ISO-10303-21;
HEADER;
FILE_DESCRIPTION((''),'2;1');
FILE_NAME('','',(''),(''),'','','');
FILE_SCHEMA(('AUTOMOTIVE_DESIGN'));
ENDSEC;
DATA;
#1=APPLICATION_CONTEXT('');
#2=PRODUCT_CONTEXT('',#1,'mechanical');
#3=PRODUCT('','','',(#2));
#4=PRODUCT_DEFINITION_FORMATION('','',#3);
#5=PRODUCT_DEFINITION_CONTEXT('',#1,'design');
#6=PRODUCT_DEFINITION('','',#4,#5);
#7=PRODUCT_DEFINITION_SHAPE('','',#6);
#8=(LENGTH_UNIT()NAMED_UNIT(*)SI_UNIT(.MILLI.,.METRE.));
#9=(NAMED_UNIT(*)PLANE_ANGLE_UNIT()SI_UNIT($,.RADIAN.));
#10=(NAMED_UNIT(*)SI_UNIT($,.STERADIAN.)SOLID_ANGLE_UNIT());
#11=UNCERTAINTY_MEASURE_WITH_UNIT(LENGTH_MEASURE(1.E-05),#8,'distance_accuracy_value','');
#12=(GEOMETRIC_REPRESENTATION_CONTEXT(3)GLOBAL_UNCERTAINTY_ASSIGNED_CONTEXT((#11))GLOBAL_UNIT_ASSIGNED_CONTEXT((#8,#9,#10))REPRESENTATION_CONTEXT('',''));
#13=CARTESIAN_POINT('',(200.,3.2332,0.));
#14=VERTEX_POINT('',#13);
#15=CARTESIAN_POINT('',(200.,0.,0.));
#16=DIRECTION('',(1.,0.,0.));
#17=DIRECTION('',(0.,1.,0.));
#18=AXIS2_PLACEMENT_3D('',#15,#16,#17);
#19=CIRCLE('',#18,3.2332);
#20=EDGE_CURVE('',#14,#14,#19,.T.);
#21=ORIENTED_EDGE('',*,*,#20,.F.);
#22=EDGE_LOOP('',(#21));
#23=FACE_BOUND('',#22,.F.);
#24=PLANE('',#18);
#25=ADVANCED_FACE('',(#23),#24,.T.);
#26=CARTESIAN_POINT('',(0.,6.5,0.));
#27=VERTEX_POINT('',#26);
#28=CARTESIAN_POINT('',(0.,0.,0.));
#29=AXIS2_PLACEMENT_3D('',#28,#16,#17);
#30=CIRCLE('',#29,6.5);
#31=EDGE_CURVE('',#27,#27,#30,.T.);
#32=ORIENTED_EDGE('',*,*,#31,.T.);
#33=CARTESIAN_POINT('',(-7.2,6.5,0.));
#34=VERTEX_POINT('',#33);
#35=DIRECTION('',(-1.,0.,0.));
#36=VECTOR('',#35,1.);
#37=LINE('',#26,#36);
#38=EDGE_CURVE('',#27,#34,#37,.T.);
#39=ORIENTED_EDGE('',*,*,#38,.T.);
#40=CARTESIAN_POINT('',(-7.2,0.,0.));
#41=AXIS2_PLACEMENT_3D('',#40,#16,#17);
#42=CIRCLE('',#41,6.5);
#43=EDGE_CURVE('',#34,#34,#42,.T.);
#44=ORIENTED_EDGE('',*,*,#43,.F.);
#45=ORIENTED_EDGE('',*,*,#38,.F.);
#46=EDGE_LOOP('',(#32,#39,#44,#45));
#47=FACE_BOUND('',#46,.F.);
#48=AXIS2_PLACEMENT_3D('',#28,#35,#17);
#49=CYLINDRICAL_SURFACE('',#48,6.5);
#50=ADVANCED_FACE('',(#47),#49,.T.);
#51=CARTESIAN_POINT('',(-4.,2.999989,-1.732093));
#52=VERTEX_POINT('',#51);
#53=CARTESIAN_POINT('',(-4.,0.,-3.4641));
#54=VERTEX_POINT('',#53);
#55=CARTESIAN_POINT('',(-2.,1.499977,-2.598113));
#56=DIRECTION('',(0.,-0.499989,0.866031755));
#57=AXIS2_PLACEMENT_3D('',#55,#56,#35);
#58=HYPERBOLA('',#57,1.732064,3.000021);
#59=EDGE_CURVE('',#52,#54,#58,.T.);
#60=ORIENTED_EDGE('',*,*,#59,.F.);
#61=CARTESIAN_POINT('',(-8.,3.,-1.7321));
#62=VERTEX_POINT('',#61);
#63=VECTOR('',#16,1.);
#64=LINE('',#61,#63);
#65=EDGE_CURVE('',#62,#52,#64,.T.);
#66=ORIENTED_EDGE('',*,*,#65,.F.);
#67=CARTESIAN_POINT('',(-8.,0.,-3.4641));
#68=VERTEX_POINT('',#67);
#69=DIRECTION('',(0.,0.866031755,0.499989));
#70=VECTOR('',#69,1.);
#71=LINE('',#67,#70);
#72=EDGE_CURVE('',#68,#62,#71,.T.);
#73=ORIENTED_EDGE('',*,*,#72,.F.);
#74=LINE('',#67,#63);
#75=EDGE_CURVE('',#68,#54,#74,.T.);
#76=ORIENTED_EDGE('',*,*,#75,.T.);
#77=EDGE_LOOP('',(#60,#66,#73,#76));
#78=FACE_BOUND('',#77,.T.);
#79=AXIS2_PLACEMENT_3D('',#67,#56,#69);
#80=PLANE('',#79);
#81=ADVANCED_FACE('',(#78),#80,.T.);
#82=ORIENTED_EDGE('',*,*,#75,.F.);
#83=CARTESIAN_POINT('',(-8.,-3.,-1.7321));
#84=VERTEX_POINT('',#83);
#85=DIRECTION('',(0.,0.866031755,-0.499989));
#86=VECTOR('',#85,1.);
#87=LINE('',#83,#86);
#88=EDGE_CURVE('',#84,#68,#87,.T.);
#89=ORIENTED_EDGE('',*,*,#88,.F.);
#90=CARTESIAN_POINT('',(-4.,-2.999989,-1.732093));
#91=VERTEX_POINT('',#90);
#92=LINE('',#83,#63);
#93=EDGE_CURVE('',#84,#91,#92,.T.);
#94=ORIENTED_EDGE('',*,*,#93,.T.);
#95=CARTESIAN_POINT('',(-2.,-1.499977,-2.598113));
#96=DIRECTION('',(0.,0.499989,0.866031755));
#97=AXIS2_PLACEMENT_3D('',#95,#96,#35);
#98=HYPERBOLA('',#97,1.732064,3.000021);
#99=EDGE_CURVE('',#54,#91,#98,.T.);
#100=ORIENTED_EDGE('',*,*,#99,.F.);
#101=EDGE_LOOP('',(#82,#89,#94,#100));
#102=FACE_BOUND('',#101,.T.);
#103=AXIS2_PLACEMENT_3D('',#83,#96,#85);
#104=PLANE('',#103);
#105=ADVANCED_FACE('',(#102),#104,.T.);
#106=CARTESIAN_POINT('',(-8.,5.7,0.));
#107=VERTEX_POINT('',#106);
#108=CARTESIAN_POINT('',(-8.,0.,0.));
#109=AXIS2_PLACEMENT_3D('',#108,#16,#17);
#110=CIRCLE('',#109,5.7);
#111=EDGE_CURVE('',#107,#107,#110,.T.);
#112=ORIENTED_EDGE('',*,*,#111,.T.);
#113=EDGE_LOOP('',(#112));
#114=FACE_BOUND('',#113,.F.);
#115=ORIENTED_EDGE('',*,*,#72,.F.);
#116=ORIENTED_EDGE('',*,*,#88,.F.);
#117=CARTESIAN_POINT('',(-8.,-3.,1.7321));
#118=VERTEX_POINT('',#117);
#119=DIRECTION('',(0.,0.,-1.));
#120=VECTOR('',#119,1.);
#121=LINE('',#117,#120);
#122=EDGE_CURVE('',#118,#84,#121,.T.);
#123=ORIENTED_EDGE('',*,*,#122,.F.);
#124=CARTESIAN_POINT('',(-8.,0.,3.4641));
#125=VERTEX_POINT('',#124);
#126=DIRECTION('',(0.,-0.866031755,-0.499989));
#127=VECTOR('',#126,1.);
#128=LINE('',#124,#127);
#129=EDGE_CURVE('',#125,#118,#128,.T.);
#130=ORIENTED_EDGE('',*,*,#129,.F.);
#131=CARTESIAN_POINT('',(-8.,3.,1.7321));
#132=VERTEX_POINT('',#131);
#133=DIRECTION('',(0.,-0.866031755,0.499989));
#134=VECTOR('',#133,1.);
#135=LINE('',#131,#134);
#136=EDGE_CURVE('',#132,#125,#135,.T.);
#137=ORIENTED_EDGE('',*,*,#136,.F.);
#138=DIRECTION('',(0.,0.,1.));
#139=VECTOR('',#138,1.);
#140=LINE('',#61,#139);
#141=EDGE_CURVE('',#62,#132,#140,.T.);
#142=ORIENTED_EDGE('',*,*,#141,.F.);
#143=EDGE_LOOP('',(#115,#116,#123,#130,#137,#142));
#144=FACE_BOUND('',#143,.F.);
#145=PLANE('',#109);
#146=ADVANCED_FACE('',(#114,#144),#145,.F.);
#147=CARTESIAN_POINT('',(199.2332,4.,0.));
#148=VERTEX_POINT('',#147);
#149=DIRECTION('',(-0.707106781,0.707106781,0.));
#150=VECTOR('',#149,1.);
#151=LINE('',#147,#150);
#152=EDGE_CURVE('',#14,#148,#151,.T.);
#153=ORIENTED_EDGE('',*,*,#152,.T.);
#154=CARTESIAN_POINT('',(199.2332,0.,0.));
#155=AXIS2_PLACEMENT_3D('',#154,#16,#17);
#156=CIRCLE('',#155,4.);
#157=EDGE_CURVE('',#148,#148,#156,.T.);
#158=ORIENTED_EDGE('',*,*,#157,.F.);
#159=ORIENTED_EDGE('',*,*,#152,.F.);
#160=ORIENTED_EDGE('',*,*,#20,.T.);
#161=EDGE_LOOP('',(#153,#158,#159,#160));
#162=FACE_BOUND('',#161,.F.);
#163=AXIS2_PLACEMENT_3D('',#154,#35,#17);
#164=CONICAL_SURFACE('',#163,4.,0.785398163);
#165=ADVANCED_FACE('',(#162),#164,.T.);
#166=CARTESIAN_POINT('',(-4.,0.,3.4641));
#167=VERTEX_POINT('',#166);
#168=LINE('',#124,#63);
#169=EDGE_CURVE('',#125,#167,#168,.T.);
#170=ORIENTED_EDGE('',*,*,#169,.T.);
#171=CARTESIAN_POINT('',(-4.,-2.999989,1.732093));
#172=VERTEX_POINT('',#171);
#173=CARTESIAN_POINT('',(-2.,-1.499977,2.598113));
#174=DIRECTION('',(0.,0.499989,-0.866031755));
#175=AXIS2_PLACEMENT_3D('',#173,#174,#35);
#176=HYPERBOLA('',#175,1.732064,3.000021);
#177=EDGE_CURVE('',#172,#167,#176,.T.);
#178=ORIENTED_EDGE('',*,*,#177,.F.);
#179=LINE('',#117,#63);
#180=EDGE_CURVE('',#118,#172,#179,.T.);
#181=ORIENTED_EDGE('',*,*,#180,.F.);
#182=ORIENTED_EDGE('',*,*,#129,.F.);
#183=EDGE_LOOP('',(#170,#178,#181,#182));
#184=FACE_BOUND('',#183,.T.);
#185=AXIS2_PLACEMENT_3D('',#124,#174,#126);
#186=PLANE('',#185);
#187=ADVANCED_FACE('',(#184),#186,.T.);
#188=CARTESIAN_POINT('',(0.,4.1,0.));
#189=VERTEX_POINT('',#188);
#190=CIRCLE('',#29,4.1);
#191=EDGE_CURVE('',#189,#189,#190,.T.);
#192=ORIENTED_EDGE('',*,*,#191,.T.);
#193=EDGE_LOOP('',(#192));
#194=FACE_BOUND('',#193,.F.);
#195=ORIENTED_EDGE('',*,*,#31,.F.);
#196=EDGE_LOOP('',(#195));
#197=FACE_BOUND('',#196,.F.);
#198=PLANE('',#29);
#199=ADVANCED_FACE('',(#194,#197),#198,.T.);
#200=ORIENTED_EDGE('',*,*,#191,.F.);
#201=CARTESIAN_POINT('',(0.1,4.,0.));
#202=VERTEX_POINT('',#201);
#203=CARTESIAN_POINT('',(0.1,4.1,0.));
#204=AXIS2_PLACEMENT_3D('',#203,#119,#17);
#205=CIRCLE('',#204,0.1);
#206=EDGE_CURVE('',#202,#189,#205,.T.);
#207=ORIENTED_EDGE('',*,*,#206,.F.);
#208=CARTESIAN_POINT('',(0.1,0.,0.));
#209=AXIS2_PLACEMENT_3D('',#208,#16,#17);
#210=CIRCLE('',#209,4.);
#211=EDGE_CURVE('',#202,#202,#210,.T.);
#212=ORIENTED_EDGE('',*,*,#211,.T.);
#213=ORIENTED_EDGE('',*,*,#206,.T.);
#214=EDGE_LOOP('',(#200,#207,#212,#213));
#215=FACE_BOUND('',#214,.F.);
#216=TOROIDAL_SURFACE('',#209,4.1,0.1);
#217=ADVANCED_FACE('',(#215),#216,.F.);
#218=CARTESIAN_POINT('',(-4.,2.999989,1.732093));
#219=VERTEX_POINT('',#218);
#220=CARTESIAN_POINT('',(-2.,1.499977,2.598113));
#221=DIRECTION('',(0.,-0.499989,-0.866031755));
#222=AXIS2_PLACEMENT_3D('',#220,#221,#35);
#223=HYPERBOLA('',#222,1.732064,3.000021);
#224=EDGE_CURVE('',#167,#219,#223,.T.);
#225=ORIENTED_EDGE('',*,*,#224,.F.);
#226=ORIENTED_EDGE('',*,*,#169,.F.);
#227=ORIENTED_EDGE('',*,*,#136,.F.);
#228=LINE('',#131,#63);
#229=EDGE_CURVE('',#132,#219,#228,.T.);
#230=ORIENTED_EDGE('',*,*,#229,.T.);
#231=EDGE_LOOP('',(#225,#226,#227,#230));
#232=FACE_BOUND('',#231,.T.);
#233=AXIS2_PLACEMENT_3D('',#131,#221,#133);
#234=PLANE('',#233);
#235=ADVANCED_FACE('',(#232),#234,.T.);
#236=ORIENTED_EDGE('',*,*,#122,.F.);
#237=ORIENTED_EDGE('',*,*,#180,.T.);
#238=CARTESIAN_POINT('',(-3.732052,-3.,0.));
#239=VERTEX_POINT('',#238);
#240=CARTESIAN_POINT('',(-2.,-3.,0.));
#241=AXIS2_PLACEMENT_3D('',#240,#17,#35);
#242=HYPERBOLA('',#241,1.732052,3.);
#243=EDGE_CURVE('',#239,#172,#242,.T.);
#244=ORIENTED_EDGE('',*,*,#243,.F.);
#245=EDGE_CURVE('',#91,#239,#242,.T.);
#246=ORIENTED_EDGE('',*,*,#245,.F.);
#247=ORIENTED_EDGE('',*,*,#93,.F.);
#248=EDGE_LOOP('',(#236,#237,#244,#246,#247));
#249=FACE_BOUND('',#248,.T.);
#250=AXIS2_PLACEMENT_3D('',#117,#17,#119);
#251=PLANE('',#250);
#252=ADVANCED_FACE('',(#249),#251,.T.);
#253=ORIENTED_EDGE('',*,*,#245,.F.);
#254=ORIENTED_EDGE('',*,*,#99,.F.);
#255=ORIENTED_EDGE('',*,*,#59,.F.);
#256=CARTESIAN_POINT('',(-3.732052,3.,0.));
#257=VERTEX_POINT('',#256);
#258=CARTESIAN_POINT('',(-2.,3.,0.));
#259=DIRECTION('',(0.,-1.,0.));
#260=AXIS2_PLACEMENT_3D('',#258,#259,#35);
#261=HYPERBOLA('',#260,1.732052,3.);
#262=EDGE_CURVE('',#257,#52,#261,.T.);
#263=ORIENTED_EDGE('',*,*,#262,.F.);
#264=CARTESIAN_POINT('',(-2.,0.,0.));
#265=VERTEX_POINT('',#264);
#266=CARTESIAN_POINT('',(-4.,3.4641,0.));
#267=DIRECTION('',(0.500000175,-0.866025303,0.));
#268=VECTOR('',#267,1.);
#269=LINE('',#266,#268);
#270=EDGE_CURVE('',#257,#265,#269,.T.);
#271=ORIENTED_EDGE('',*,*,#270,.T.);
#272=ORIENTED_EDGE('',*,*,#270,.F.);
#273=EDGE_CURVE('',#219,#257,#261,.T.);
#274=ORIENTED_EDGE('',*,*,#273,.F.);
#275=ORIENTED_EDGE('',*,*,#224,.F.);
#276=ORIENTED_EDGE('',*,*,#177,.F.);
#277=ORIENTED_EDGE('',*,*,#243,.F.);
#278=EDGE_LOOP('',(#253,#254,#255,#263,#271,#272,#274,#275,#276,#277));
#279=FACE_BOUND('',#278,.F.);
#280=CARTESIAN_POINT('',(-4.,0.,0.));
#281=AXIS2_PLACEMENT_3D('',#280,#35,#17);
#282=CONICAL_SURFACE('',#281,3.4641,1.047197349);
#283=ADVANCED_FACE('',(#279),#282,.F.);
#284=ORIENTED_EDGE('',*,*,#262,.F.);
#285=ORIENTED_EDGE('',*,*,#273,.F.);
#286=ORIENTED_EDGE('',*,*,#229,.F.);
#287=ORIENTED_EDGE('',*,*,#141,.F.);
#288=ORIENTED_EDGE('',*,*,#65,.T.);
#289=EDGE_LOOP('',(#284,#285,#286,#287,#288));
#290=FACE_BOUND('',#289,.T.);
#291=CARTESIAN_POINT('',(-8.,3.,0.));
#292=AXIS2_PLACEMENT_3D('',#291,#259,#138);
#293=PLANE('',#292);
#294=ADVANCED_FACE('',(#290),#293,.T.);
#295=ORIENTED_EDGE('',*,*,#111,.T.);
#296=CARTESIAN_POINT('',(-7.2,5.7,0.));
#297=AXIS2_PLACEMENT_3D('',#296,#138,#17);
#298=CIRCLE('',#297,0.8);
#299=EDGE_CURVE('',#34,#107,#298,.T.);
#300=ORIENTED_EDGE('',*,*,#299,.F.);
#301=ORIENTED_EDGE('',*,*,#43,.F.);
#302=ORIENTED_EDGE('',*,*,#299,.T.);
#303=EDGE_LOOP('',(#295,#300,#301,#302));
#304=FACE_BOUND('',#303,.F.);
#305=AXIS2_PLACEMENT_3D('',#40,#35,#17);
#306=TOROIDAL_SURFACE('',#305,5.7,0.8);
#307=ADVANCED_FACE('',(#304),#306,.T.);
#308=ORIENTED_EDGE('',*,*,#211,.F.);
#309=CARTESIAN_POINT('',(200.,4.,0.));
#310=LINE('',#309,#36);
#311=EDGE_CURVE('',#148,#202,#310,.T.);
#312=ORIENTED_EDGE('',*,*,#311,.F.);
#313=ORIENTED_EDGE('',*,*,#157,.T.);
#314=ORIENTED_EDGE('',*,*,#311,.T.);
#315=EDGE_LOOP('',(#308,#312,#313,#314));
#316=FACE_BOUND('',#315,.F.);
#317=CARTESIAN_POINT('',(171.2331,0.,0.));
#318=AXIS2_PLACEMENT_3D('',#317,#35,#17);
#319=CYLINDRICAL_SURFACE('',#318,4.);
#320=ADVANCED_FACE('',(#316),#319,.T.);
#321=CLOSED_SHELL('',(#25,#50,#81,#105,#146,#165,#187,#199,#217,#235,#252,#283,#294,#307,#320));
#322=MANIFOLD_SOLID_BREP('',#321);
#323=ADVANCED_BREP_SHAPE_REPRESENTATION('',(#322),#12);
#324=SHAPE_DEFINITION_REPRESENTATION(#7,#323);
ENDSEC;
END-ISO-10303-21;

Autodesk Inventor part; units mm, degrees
ref_plane "YZ Plane" through (0, 0, 0) normal (1, 0, 0) x (0, 1, 0)
ref_plane "XZ Plane" through (0, 0, 0) normal (0, 1, 0) x (-1, 0, 0)
sketch "Sketch1" plane through (0, 0, 0) normal (0, 0, 1) x (1, 0, 0)
  line L0 (-2, 0) -> (200, 0)
  line L1 (200, 0) -> (200, 4)
  line L2 (200, 4) -> (172, 4)
  line L3 (172, 4) -> (171.2331, 4)
  line L4 (171.2331, 4) -> (0, 4)
  line L5 (0, 4) -> (0, 6.5)
  line L6 (0, 6.5) -> (-8, 6.5)
  line L7 (-8, 6.5) -> (-8, 3.4641)
  line L8 (-8, 3.4641) -> (-4, 3.4641)
  line L9 (-4, 3.4641) -> (-2, 0)
  line L10 (-41.6, 0) -> (193.6, 0) projected
  line L11 (0, -1.3) -> (0, 7.8) projected
  line L12 (172, 4) -> (0, 4) construction
  dimension "d1" = 28
  dimension "d2" = 0.7669
  dimension "d3" = 8
  dimension "d4" = 4
  dimension "d5" = 60
  dimension "d6" = 8
  dimension "d7" = 8
  dimension "d8" = 6.9282
  dimension "d9" = 13
  dimension "d26" = 200
revolve "Body" add sketch "Sketch1" angle 360 about axis through (-2, 0, 0) along (1, 0, 0)
sketch "Sketch2" plane through (-8, 0, 0) normal (-1, 0, 0) x (0, 0, 1)
  circle A0 centre (0, 0) radius 3.4641 projected
  line L0 (0, -9.1) -> (0, 9.1) projected
  line L1 (-9.1, 0) -> (9.1, 0) projected
  line L2 (3.4641, 0) -> (1.7321, -3)
  line L3 (1.7321, -3) -> (-1.7321, -3)
  line L4 (-1.7321, -3) -> (-3.4641, 0)
  line L5 (-3.4641, 0) -> (-1.7321, 3)
  line L6 (-1.7321, 3) -> (1.7321, 3)
  line L7 (1.7321, 3) -> (3.4641, 0)
extrude "Slot" add sketch "Sketch2" against normal up to next contours L7 A0 | A0 L2 | L6 L0 A0 | A0 L0 L3 | L0 L6 A0 | A0 L3 L0 | L4 A0 | A0 L5
fillet "Fillet1" radius 0.8 1 edges at (-8, -6.5, 0)
thread "Thread" size "M8x1.25" class "6g" standard "ISO Metric profile" length 28
chamfer "Chamfer1" distance 0.7668 distance2 0.7668 1 edges at (200, -4, 0) measured on face at (200, -0.5839, -0.3933)
ref_plane "Work Plane1" through (29, 0, 0) normal (0, -1, 0) x (1, 0, 0)
fillet "Fillet2" radius 0.1 1 edges at (0, -4, 0)
equation "\"d1\" = GEL"
equation "\"d3\" = KOH"
equation "\"d4\" = INTI"
equation "\"d6\" = GD"
equation "\"d7\" = BDM"
equation "\"d8\" = 1.1547 * SW"
equation "\"d9\" = KOD"
equation "\"d26\" = NLG"
equation "\"d30\" = R"
equation "\"d17\" = RR"
equation "\"d13\" = GEL"
equation "\"d15\" = -0.5 * SPD + 0.5 * GD"
equation "\"d16\" = GUL"
equation "\"GD\" = NND"
equation "\"NLG\" = 200"
equation "\"GEL\" = 28"
equation "\"KOD\" = 13"
equation "\"KOH\" = 8"
equation "\"INTI\" = 4"
equation "\"GAL\" = 0.61345 * PTC"
equation "\"GUL\" = 0.61345 * PTC"
equation "\"BDM\" = NND"
equation "\"SW\" = 6"
equation "\"RR\" = 0.8"
equation "\"SPD\" = 6.46638"
equation "\"R\" = 0.1"
equation "\"TOA\" = 30deg"
equation "\"THREADDIA\" = 8"
equation "\"PTC\" = 1.25"
equation "\"NND\" = 8"
equation "\"E0\" = 1.155 * SW"
equation "\"GD1\" = THREADDIA - 1.2269 * PTC"
properties part number "ANSI B18.3.1M - M8x1.25 x 160" material "Steel, Mild"
